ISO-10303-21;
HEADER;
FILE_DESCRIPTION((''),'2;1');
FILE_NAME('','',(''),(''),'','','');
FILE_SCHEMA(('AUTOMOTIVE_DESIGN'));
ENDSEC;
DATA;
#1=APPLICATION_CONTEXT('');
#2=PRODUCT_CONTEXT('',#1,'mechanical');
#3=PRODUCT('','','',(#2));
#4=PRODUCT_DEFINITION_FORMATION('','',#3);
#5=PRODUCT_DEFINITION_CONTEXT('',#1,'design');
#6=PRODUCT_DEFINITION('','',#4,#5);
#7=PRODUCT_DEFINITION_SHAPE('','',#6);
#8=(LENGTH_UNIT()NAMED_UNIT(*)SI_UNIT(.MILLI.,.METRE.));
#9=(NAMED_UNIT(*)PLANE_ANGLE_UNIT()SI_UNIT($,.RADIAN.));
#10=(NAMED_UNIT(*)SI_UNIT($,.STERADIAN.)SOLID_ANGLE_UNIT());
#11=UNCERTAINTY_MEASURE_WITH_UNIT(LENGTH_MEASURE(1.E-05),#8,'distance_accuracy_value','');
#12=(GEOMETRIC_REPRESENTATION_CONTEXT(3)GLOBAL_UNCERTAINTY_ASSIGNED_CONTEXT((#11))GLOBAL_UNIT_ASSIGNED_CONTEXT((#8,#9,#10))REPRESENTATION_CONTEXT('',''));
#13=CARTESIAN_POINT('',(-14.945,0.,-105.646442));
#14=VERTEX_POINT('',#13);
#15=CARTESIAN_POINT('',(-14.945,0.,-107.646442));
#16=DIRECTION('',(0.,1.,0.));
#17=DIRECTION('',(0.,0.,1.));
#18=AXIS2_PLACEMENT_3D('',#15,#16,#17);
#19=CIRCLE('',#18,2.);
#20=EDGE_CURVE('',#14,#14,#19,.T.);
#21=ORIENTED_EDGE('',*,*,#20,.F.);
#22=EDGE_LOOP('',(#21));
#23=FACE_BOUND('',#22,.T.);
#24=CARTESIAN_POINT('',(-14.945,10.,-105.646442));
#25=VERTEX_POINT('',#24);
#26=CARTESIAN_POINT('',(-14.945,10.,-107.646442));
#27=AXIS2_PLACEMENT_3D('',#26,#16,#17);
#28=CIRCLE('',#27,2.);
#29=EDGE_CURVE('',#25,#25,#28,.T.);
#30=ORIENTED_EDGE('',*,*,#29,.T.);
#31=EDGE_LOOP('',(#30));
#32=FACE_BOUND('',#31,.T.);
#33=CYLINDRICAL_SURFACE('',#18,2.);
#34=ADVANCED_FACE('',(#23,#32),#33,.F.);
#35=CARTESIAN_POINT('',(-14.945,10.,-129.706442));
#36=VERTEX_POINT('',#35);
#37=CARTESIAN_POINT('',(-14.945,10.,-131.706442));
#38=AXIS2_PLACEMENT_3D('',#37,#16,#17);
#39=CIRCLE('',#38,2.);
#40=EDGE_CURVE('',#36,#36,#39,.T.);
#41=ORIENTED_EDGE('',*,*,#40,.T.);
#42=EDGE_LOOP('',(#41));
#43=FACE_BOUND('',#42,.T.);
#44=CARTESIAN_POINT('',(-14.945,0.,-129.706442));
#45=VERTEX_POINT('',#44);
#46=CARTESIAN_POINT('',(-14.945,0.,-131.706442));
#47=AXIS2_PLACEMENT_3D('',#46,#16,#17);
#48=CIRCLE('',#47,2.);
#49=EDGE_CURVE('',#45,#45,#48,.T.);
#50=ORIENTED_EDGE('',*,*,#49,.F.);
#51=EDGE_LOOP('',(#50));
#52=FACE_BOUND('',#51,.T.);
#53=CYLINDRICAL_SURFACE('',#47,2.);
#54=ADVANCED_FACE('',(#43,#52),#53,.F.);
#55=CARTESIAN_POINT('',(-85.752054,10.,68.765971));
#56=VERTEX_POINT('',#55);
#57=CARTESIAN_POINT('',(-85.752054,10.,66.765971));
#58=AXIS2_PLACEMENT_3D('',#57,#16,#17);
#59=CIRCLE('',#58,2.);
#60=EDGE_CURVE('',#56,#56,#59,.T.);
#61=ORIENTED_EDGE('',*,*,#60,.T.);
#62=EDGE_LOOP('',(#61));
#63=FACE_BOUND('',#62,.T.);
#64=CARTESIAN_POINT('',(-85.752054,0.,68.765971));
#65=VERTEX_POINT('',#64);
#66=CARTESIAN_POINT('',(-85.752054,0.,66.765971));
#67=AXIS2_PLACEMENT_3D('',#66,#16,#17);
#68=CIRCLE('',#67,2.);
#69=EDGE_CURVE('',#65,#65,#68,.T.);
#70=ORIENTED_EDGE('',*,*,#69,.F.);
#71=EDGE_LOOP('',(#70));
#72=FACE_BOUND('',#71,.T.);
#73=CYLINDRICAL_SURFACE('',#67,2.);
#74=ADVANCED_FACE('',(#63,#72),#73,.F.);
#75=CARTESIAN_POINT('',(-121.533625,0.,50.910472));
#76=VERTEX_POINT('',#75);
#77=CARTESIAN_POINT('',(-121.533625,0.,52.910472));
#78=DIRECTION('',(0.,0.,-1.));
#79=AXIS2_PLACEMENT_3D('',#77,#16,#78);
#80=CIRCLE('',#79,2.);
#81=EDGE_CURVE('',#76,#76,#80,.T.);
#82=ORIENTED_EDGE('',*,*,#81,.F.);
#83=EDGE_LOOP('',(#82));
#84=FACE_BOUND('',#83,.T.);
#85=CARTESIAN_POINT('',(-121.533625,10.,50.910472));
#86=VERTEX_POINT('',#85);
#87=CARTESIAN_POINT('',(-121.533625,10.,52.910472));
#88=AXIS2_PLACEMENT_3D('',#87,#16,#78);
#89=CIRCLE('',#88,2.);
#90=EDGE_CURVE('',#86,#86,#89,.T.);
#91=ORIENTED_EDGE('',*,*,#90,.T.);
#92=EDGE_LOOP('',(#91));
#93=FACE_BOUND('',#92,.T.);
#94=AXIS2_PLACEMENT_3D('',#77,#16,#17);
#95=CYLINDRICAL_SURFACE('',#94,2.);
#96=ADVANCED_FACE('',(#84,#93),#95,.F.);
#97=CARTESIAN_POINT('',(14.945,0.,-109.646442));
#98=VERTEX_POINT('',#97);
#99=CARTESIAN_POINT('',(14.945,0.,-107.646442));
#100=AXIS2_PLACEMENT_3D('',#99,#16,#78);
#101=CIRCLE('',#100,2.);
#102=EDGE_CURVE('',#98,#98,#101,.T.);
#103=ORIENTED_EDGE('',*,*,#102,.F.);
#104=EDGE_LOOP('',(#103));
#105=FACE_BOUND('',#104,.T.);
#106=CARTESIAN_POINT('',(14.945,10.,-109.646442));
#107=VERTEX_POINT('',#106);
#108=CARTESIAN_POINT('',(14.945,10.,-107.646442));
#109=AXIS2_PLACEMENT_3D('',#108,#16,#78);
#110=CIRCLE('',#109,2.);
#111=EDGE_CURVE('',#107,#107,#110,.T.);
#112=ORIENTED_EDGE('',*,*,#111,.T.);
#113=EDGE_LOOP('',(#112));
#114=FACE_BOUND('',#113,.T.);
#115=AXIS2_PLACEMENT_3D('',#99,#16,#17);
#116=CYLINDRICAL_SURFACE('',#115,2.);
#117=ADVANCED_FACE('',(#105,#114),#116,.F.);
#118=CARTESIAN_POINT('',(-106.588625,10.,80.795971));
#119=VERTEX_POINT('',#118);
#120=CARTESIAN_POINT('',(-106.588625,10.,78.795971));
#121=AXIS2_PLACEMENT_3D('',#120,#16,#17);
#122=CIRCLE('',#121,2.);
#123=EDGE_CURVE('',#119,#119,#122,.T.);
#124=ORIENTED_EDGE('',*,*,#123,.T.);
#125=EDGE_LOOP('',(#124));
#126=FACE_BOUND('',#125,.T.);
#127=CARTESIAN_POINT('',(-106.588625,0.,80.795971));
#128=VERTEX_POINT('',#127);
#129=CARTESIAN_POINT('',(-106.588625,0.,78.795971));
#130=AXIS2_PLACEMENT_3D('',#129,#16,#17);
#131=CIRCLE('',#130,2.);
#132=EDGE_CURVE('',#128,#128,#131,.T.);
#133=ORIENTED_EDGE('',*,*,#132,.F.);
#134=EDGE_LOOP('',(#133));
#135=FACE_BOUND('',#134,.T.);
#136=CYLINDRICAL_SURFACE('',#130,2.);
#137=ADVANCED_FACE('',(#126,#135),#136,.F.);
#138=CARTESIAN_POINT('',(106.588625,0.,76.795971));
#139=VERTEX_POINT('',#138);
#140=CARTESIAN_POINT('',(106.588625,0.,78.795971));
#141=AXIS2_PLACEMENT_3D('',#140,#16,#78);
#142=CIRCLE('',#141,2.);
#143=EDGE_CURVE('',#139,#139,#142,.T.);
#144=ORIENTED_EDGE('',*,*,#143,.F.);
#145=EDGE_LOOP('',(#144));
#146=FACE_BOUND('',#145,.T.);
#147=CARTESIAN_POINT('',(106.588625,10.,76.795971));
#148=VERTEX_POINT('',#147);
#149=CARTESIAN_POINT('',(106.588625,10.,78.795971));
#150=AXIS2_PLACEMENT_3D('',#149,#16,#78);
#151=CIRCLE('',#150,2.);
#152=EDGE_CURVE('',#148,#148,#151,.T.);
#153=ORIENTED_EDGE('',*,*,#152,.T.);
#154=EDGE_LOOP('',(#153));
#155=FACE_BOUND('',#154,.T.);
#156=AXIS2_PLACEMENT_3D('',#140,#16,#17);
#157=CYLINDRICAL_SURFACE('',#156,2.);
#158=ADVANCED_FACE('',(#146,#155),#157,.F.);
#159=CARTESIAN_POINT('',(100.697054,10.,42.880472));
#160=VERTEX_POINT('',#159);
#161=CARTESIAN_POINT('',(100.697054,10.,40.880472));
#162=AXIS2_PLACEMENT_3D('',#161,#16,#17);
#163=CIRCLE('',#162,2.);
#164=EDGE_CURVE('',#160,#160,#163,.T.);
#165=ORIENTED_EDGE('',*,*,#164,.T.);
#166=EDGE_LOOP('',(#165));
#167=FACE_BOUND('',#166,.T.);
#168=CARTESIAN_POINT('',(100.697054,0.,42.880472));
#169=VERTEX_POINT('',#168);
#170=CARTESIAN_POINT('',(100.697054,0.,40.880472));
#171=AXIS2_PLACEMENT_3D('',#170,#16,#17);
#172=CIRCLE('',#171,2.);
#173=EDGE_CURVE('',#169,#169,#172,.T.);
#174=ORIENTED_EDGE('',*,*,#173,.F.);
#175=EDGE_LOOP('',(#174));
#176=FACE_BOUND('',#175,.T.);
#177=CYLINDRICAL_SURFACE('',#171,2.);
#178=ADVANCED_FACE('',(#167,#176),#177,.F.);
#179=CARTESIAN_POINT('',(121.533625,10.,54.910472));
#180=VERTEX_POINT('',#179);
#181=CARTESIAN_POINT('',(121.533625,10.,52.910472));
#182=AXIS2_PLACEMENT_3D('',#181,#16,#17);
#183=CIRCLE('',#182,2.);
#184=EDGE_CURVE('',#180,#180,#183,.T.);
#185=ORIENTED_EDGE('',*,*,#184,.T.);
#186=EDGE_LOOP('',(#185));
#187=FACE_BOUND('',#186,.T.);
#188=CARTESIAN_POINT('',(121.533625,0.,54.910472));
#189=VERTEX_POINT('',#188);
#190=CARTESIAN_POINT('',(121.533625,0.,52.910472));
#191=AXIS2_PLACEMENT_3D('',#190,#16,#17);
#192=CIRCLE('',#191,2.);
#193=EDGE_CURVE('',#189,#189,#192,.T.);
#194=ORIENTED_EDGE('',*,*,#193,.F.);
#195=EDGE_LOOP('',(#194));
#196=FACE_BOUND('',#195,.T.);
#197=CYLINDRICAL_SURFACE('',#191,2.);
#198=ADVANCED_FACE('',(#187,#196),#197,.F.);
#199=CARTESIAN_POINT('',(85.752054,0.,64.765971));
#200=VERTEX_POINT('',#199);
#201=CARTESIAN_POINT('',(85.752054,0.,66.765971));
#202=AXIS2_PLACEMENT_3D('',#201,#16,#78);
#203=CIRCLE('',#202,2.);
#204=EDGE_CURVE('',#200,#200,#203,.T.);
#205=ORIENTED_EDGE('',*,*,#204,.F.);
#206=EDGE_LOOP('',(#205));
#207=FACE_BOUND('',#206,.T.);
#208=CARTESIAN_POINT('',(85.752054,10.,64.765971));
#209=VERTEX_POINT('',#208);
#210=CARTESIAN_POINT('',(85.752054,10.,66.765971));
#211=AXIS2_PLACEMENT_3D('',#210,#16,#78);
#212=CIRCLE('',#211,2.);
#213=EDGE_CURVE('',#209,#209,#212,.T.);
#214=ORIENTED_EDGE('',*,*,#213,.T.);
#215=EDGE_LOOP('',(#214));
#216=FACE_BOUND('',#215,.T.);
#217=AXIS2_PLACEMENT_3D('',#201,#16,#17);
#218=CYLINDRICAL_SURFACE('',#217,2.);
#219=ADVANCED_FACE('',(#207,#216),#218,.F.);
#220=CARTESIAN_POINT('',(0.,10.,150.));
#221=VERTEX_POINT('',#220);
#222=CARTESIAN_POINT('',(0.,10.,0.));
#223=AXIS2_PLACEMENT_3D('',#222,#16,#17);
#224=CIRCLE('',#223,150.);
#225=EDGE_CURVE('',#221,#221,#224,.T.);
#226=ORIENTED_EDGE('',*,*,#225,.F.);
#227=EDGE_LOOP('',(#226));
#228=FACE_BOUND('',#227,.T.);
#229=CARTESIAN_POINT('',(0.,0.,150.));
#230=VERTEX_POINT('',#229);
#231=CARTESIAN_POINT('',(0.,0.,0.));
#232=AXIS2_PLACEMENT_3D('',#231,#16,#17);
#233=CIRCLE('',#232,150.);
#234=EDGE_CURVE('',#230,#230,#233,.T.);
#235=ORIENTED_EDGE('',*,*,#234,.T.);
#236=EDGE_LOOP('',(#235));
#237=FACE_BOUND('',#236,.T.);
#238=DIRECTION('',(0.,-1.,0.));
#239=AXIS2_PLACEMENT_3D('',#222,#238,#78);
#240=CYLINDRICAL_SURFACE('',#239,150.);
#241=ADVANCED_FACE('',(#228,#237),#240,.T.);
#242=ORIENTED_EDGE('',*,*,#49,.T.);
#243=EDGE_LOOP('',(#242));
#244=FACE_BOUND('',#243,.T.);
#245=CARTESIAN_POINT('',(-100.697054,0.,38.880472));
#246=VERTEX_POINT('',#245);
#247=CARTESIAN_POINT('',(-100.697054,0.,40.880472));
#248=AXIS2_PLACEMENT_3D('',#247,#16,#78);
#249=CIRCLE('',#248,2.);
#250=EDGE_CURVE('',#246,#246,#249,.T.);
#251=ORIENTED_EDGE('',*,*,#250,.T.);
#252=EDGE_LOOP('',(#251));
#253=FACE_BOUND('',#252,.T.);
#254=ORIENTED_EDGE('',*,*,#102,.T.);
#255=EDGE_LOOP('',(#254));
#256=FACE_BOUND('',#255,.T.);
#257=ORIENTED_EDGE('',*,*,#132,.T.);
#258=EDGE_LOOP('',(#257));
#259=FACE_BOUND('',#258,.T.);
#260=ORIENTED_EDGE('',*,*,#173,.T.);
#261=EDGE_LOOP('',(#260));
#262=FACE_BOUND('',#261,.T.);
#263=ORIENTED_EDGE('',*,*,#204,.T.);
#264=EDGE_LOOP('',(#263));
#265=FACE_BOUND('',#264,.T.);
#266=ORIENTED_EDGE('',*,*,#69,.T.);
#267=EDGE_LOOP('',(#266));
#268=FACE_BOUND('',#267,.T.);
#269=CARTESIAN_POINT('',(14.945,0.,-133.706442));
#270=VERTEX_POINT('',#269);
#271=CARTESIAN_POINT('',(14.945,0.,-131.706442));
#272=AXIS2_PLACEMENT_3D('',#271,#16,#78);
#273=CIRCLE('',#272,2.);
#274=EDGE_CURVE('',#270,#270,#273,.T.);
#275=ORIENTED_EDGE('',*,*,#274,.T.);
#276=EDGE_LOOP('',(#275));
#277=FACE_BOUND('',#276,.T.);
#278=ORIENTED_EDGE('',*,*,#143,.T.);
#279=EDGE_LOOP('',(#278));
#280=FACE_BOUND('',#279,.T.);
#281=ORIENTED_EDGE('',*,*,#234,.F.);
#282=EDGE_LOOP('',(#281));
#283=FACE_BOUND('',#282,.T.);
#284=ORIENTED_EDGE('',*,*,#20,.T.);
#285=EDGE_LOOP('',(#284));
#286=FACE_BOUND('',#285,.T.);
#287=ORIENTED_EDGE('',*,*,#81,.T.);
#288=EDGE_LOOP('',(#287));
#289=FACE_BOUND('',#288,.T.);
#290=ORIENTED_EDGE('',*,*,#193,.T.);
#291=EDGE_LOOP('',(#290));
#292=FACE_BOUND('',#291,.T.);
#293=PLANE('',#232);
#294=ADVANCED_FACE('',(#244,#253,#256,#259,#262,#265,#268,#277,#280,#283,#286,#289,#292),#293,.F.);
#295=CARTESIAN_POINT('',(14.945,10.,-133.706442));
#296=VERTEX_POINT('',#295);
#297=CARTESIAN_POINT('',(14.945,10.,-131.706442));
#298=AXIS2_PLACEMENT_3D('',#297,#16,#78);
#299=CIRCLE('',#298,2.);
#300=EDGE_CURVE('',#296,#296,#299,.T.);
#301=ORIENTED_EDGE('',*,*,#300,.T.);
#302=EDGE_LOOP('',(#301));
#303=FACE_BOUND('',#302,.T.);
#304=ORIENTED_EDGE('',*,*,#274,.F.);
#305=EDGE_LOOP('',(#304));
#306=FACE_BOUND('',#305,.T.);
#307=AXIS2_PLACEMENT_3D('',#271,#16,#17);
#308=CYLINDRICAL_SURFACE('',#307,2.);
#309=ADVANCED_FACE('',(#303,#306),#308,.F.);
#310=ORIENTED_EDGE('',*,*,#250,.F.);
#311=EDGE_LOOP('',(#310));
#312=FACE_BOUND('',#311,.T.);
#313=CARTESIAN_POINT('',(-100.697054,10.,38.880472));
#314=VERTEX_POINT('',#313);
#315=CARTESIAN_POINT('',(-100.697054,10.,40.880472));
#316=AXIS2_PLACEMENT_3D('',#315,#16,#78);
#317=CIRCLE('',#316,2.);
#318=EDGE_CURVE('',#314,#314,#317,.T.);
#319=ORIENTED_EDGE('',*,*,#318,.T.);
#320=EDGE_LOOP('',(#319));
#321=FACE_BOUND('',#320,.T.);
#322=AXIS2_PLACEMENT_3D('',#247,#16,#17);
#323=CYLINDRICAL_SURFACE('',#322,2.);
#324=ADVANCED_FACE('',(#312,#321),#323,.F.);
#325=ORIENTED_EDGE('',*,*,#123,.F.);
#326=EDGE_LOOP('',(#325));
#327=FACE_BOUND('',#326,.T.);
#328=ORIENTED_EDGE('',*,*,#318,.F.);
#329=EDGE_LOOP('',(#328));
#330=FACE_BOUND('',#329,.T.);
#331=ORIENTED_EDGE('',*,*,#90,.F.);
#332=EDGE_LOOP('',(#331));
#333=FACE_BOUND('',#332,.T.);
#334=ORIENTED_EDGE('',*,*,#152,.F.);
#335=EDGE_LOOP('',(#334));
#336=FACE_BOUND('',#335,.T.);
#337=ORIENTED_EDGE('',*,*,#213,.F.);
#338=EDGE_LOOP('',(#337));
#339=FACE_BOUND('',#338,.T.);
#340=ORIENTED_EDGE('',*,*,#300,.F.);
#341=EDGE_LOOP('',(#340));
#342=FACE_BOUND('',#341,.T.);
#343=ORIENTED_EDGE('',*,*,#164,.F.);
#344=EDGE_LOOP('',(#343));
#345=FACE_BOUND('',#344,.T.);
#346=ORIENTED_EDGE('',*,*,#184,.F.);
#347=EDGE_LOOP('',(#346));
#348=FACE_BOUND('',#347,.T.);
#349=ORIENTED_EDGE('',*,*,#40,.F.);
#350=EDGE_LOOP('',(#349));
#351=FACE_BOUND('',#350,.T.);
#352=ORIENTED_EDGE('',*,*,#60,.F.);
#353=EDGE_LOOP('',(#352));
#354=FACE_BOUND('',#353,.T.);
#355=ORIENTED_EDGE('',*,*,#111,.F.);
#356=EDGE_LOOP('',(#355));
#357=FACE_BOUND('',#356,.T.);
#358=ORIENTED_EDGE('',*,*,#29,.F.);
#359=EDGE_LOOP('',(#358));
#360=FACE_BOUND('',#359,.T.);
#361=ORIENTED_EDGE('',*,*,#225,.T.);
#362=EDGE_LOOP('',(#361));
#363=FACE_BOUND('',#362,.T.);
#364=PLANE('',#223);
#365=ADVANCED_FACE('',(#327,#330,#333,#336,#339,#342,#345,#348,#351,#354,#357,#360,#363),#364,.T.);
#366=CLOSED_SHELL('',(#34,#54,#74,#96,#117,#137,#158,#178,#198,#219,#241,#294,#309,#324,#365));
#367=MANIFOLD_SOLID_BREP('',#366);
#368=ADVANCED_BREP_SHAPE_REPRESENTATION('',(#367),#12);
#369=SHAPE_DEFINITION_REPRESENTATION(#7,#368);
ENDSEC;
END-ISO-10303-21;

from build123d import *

# Parameters (mm, degrees)
SKETCH1_R           = 150
BOSS_EXTRUDE1_DEPTH = 10
SKETCH2_R           = 2
CUT_EXTRUDE1_DEPTH  = 10


with BuildPart() as part:
    # Sketch1 → Boss-Extrude1 (new body)
    with BuildSketch(Plane(origin=(0, 0, 0), x_dir=(1, 0, 0), z_dir=(0, 1, 0))):
        Circle(SKETCH1_R)
    extrude(amount=BOSS_EXTRUDE1_DEPTH)

    # Sketch2 → Cut-Extrude1 (cut)
    with BuildSketch(Plane(origin=(0, 10, 0), x_dir=(1, 0, 0), z_dir=(0, 1, 0))):
        with Locations((-14.945, 131.706442493)):
            Circle(SKETCH2_R)
        with Locations((-14.945, 107.646442493)):
            Circle(SKETCH2_R)
        with Locations((14.945, 107.646442493)):
            Circle(SKETCH2_R)
        with Locations((14.945, 131.706442493)):
            Circle(SKETCH2_R)
        with Locations((85.752053826, -66.765970906)):
            Circle(SKETCH2_R)
        with Locations((100.697053826, -40.880471587)):
            Circle(SKETCH2_R)
        with Locations((106.588625041, -78.795970906)):
            Circle(SKETCH2_R)
        with Locations((121.533625041, -52.910471587)):
            Circle(SKETCH2_R)
        with Locations((-100.697053826, -40.880471587)):
            Circle(SKETCH2_R)
        with Locations((-85.752053826, -66.765970906)):
            Circle(SKETCH2_R)
        with Locations((-121.533625041, -52.910471587)):
            Circle(SKETCH2_R)
        with Locations((-106.588625041, -78.795970906)):
            Circle(SKETCH2_R)
    extrude(amount=-CUT_EXTRUDE1_DEPTH, mode=Mode.SUBTRACT)


solid = part.part
